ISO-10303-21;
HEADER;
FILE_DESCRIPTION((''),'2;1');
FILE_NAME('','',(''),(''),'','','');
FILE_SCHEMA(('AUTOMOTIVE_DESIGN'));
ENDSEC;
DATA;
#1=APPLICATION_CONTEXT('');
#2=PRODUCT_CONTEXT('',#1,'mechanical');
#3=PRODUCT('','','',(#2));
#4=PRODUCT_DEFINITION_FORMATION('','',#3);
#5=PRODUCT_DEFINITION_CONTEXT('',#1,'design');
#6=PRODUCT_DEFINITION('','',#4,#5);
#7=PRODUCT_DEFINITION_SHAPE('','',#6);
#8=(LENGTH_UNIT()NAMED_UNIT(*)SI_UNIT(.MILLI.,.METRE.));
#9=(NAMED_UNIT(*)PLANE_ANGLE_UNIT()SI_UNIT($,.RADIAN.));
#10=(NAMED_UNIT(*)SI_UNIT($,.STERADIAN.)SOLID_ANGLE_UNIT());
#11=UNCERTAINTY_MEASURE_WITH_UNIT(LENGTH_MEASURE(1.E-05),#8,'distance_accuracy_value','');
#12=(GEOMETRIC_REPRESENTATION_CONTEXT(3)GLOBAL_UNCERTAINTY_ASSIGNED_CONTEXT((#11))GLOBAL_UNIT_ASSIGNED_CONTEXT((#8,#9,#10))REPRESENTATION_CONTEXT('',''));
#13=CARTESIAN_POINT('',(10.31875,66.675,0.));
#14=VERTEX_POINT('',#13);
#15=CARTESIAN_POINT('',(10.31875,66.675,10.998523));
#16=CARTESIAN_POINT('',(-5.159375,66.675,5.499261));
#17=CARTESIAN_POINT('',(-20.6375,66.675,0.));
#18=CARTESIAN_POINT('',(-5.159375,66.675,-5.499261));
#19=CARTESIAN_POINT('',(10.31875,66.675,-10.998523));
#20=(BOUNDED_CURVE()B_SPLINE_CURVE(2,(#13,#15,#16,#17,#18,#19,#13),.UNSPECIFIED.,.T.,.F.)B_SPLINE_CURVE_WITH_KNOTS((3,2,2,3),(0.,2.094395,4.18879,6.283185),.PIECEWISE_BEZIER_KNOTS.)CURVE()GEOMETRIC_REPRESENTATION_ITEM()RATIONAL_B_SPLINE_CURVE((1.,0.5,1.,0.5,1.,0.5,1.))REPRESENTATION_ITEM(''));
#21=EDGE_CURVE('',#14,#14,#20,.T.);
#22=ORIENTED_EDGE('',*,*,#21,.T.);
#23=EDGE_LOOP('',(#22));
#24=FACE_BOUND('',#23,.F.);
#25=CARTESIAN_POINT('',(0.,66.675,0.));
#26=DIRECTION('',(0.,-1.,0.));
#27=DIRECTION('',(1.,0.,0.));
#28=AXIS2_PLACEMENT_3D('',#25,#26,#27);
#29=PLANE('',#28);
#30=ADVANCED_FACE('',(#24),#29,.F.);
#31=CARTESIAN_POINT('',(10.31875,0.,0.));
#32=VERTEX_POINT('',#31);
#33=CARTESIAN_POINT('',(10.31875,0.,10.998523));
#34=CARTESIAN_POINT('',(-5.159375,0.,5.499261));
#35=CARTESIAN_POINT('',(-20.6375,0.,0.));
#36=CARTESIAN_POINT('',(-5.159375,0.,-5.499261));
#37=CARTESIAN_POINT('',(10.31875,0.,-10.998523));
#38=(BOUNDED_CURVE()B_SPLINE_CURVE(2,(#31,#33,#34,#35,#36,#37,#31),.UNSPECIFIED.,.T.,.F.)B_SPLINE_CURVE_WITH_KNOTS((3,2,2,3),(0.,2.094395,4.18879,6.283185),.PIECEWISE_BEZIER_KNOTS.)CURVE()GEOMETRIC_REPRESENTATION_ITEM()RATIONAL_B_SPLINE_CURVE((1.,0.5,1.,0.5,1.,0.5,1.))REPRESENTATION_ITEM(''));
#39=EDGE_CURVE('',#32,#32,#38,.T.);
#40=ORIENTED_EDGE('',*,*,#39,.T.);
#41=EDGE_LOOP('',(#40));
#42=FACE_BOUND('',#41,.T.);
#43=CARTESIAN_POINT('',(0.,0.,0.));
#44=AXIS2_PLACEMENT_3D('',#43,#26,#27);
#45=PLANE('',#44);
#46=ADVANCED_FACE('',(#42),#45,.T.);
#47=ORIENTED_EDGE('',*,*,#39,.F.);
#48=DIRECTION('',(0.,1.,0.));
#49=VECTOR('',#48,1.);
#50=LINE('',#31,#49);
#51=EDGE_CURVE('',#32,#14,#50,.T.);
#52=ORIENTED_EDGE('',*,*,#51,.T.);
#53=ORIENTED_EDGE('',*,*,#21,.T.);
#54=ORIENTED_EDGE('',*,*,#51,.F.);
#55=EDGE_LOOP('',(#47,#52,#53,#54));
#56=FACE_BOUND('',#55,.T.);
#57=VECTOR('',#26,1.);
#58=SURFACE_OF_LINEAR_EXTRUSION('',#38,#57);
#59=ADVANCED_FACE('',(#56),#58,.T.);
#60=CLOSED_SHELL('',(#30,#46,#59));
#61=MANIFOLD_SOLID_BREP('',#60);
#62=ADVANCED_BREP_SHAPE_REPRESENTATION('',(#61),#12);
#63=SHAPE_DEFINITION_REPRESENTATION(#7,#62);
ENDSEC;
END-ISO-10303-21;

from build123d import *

# Parameters (mm, degrees)
F1_DEPTH = 66.675


with BuildPart() as f1:
    # F0 (on Front) → F1 (new body)
    with BuildSketch(Plane.XZ):
        with BuildLine():
            add(Edge.make_bspline(
                [(10.31875, 0), (10.31875, 10.998523), (-5.159375, 5.499261), (-20.6375, 0), (-5.159375, -5.499261), (10.31875, -10.998523), (10.31875, 0)],
                knots=[0, 0, 0, 2.094395, 2.094395, 4.18879, 4.18879, 6.283185, 6.283185, 6.283185], degree=2, weights=[1, 0.5, 1, 0.5, 1, 0.5, 1]))
        make_face()
    extrude(amount=-F1_DEPTH)


solid = f1.part
